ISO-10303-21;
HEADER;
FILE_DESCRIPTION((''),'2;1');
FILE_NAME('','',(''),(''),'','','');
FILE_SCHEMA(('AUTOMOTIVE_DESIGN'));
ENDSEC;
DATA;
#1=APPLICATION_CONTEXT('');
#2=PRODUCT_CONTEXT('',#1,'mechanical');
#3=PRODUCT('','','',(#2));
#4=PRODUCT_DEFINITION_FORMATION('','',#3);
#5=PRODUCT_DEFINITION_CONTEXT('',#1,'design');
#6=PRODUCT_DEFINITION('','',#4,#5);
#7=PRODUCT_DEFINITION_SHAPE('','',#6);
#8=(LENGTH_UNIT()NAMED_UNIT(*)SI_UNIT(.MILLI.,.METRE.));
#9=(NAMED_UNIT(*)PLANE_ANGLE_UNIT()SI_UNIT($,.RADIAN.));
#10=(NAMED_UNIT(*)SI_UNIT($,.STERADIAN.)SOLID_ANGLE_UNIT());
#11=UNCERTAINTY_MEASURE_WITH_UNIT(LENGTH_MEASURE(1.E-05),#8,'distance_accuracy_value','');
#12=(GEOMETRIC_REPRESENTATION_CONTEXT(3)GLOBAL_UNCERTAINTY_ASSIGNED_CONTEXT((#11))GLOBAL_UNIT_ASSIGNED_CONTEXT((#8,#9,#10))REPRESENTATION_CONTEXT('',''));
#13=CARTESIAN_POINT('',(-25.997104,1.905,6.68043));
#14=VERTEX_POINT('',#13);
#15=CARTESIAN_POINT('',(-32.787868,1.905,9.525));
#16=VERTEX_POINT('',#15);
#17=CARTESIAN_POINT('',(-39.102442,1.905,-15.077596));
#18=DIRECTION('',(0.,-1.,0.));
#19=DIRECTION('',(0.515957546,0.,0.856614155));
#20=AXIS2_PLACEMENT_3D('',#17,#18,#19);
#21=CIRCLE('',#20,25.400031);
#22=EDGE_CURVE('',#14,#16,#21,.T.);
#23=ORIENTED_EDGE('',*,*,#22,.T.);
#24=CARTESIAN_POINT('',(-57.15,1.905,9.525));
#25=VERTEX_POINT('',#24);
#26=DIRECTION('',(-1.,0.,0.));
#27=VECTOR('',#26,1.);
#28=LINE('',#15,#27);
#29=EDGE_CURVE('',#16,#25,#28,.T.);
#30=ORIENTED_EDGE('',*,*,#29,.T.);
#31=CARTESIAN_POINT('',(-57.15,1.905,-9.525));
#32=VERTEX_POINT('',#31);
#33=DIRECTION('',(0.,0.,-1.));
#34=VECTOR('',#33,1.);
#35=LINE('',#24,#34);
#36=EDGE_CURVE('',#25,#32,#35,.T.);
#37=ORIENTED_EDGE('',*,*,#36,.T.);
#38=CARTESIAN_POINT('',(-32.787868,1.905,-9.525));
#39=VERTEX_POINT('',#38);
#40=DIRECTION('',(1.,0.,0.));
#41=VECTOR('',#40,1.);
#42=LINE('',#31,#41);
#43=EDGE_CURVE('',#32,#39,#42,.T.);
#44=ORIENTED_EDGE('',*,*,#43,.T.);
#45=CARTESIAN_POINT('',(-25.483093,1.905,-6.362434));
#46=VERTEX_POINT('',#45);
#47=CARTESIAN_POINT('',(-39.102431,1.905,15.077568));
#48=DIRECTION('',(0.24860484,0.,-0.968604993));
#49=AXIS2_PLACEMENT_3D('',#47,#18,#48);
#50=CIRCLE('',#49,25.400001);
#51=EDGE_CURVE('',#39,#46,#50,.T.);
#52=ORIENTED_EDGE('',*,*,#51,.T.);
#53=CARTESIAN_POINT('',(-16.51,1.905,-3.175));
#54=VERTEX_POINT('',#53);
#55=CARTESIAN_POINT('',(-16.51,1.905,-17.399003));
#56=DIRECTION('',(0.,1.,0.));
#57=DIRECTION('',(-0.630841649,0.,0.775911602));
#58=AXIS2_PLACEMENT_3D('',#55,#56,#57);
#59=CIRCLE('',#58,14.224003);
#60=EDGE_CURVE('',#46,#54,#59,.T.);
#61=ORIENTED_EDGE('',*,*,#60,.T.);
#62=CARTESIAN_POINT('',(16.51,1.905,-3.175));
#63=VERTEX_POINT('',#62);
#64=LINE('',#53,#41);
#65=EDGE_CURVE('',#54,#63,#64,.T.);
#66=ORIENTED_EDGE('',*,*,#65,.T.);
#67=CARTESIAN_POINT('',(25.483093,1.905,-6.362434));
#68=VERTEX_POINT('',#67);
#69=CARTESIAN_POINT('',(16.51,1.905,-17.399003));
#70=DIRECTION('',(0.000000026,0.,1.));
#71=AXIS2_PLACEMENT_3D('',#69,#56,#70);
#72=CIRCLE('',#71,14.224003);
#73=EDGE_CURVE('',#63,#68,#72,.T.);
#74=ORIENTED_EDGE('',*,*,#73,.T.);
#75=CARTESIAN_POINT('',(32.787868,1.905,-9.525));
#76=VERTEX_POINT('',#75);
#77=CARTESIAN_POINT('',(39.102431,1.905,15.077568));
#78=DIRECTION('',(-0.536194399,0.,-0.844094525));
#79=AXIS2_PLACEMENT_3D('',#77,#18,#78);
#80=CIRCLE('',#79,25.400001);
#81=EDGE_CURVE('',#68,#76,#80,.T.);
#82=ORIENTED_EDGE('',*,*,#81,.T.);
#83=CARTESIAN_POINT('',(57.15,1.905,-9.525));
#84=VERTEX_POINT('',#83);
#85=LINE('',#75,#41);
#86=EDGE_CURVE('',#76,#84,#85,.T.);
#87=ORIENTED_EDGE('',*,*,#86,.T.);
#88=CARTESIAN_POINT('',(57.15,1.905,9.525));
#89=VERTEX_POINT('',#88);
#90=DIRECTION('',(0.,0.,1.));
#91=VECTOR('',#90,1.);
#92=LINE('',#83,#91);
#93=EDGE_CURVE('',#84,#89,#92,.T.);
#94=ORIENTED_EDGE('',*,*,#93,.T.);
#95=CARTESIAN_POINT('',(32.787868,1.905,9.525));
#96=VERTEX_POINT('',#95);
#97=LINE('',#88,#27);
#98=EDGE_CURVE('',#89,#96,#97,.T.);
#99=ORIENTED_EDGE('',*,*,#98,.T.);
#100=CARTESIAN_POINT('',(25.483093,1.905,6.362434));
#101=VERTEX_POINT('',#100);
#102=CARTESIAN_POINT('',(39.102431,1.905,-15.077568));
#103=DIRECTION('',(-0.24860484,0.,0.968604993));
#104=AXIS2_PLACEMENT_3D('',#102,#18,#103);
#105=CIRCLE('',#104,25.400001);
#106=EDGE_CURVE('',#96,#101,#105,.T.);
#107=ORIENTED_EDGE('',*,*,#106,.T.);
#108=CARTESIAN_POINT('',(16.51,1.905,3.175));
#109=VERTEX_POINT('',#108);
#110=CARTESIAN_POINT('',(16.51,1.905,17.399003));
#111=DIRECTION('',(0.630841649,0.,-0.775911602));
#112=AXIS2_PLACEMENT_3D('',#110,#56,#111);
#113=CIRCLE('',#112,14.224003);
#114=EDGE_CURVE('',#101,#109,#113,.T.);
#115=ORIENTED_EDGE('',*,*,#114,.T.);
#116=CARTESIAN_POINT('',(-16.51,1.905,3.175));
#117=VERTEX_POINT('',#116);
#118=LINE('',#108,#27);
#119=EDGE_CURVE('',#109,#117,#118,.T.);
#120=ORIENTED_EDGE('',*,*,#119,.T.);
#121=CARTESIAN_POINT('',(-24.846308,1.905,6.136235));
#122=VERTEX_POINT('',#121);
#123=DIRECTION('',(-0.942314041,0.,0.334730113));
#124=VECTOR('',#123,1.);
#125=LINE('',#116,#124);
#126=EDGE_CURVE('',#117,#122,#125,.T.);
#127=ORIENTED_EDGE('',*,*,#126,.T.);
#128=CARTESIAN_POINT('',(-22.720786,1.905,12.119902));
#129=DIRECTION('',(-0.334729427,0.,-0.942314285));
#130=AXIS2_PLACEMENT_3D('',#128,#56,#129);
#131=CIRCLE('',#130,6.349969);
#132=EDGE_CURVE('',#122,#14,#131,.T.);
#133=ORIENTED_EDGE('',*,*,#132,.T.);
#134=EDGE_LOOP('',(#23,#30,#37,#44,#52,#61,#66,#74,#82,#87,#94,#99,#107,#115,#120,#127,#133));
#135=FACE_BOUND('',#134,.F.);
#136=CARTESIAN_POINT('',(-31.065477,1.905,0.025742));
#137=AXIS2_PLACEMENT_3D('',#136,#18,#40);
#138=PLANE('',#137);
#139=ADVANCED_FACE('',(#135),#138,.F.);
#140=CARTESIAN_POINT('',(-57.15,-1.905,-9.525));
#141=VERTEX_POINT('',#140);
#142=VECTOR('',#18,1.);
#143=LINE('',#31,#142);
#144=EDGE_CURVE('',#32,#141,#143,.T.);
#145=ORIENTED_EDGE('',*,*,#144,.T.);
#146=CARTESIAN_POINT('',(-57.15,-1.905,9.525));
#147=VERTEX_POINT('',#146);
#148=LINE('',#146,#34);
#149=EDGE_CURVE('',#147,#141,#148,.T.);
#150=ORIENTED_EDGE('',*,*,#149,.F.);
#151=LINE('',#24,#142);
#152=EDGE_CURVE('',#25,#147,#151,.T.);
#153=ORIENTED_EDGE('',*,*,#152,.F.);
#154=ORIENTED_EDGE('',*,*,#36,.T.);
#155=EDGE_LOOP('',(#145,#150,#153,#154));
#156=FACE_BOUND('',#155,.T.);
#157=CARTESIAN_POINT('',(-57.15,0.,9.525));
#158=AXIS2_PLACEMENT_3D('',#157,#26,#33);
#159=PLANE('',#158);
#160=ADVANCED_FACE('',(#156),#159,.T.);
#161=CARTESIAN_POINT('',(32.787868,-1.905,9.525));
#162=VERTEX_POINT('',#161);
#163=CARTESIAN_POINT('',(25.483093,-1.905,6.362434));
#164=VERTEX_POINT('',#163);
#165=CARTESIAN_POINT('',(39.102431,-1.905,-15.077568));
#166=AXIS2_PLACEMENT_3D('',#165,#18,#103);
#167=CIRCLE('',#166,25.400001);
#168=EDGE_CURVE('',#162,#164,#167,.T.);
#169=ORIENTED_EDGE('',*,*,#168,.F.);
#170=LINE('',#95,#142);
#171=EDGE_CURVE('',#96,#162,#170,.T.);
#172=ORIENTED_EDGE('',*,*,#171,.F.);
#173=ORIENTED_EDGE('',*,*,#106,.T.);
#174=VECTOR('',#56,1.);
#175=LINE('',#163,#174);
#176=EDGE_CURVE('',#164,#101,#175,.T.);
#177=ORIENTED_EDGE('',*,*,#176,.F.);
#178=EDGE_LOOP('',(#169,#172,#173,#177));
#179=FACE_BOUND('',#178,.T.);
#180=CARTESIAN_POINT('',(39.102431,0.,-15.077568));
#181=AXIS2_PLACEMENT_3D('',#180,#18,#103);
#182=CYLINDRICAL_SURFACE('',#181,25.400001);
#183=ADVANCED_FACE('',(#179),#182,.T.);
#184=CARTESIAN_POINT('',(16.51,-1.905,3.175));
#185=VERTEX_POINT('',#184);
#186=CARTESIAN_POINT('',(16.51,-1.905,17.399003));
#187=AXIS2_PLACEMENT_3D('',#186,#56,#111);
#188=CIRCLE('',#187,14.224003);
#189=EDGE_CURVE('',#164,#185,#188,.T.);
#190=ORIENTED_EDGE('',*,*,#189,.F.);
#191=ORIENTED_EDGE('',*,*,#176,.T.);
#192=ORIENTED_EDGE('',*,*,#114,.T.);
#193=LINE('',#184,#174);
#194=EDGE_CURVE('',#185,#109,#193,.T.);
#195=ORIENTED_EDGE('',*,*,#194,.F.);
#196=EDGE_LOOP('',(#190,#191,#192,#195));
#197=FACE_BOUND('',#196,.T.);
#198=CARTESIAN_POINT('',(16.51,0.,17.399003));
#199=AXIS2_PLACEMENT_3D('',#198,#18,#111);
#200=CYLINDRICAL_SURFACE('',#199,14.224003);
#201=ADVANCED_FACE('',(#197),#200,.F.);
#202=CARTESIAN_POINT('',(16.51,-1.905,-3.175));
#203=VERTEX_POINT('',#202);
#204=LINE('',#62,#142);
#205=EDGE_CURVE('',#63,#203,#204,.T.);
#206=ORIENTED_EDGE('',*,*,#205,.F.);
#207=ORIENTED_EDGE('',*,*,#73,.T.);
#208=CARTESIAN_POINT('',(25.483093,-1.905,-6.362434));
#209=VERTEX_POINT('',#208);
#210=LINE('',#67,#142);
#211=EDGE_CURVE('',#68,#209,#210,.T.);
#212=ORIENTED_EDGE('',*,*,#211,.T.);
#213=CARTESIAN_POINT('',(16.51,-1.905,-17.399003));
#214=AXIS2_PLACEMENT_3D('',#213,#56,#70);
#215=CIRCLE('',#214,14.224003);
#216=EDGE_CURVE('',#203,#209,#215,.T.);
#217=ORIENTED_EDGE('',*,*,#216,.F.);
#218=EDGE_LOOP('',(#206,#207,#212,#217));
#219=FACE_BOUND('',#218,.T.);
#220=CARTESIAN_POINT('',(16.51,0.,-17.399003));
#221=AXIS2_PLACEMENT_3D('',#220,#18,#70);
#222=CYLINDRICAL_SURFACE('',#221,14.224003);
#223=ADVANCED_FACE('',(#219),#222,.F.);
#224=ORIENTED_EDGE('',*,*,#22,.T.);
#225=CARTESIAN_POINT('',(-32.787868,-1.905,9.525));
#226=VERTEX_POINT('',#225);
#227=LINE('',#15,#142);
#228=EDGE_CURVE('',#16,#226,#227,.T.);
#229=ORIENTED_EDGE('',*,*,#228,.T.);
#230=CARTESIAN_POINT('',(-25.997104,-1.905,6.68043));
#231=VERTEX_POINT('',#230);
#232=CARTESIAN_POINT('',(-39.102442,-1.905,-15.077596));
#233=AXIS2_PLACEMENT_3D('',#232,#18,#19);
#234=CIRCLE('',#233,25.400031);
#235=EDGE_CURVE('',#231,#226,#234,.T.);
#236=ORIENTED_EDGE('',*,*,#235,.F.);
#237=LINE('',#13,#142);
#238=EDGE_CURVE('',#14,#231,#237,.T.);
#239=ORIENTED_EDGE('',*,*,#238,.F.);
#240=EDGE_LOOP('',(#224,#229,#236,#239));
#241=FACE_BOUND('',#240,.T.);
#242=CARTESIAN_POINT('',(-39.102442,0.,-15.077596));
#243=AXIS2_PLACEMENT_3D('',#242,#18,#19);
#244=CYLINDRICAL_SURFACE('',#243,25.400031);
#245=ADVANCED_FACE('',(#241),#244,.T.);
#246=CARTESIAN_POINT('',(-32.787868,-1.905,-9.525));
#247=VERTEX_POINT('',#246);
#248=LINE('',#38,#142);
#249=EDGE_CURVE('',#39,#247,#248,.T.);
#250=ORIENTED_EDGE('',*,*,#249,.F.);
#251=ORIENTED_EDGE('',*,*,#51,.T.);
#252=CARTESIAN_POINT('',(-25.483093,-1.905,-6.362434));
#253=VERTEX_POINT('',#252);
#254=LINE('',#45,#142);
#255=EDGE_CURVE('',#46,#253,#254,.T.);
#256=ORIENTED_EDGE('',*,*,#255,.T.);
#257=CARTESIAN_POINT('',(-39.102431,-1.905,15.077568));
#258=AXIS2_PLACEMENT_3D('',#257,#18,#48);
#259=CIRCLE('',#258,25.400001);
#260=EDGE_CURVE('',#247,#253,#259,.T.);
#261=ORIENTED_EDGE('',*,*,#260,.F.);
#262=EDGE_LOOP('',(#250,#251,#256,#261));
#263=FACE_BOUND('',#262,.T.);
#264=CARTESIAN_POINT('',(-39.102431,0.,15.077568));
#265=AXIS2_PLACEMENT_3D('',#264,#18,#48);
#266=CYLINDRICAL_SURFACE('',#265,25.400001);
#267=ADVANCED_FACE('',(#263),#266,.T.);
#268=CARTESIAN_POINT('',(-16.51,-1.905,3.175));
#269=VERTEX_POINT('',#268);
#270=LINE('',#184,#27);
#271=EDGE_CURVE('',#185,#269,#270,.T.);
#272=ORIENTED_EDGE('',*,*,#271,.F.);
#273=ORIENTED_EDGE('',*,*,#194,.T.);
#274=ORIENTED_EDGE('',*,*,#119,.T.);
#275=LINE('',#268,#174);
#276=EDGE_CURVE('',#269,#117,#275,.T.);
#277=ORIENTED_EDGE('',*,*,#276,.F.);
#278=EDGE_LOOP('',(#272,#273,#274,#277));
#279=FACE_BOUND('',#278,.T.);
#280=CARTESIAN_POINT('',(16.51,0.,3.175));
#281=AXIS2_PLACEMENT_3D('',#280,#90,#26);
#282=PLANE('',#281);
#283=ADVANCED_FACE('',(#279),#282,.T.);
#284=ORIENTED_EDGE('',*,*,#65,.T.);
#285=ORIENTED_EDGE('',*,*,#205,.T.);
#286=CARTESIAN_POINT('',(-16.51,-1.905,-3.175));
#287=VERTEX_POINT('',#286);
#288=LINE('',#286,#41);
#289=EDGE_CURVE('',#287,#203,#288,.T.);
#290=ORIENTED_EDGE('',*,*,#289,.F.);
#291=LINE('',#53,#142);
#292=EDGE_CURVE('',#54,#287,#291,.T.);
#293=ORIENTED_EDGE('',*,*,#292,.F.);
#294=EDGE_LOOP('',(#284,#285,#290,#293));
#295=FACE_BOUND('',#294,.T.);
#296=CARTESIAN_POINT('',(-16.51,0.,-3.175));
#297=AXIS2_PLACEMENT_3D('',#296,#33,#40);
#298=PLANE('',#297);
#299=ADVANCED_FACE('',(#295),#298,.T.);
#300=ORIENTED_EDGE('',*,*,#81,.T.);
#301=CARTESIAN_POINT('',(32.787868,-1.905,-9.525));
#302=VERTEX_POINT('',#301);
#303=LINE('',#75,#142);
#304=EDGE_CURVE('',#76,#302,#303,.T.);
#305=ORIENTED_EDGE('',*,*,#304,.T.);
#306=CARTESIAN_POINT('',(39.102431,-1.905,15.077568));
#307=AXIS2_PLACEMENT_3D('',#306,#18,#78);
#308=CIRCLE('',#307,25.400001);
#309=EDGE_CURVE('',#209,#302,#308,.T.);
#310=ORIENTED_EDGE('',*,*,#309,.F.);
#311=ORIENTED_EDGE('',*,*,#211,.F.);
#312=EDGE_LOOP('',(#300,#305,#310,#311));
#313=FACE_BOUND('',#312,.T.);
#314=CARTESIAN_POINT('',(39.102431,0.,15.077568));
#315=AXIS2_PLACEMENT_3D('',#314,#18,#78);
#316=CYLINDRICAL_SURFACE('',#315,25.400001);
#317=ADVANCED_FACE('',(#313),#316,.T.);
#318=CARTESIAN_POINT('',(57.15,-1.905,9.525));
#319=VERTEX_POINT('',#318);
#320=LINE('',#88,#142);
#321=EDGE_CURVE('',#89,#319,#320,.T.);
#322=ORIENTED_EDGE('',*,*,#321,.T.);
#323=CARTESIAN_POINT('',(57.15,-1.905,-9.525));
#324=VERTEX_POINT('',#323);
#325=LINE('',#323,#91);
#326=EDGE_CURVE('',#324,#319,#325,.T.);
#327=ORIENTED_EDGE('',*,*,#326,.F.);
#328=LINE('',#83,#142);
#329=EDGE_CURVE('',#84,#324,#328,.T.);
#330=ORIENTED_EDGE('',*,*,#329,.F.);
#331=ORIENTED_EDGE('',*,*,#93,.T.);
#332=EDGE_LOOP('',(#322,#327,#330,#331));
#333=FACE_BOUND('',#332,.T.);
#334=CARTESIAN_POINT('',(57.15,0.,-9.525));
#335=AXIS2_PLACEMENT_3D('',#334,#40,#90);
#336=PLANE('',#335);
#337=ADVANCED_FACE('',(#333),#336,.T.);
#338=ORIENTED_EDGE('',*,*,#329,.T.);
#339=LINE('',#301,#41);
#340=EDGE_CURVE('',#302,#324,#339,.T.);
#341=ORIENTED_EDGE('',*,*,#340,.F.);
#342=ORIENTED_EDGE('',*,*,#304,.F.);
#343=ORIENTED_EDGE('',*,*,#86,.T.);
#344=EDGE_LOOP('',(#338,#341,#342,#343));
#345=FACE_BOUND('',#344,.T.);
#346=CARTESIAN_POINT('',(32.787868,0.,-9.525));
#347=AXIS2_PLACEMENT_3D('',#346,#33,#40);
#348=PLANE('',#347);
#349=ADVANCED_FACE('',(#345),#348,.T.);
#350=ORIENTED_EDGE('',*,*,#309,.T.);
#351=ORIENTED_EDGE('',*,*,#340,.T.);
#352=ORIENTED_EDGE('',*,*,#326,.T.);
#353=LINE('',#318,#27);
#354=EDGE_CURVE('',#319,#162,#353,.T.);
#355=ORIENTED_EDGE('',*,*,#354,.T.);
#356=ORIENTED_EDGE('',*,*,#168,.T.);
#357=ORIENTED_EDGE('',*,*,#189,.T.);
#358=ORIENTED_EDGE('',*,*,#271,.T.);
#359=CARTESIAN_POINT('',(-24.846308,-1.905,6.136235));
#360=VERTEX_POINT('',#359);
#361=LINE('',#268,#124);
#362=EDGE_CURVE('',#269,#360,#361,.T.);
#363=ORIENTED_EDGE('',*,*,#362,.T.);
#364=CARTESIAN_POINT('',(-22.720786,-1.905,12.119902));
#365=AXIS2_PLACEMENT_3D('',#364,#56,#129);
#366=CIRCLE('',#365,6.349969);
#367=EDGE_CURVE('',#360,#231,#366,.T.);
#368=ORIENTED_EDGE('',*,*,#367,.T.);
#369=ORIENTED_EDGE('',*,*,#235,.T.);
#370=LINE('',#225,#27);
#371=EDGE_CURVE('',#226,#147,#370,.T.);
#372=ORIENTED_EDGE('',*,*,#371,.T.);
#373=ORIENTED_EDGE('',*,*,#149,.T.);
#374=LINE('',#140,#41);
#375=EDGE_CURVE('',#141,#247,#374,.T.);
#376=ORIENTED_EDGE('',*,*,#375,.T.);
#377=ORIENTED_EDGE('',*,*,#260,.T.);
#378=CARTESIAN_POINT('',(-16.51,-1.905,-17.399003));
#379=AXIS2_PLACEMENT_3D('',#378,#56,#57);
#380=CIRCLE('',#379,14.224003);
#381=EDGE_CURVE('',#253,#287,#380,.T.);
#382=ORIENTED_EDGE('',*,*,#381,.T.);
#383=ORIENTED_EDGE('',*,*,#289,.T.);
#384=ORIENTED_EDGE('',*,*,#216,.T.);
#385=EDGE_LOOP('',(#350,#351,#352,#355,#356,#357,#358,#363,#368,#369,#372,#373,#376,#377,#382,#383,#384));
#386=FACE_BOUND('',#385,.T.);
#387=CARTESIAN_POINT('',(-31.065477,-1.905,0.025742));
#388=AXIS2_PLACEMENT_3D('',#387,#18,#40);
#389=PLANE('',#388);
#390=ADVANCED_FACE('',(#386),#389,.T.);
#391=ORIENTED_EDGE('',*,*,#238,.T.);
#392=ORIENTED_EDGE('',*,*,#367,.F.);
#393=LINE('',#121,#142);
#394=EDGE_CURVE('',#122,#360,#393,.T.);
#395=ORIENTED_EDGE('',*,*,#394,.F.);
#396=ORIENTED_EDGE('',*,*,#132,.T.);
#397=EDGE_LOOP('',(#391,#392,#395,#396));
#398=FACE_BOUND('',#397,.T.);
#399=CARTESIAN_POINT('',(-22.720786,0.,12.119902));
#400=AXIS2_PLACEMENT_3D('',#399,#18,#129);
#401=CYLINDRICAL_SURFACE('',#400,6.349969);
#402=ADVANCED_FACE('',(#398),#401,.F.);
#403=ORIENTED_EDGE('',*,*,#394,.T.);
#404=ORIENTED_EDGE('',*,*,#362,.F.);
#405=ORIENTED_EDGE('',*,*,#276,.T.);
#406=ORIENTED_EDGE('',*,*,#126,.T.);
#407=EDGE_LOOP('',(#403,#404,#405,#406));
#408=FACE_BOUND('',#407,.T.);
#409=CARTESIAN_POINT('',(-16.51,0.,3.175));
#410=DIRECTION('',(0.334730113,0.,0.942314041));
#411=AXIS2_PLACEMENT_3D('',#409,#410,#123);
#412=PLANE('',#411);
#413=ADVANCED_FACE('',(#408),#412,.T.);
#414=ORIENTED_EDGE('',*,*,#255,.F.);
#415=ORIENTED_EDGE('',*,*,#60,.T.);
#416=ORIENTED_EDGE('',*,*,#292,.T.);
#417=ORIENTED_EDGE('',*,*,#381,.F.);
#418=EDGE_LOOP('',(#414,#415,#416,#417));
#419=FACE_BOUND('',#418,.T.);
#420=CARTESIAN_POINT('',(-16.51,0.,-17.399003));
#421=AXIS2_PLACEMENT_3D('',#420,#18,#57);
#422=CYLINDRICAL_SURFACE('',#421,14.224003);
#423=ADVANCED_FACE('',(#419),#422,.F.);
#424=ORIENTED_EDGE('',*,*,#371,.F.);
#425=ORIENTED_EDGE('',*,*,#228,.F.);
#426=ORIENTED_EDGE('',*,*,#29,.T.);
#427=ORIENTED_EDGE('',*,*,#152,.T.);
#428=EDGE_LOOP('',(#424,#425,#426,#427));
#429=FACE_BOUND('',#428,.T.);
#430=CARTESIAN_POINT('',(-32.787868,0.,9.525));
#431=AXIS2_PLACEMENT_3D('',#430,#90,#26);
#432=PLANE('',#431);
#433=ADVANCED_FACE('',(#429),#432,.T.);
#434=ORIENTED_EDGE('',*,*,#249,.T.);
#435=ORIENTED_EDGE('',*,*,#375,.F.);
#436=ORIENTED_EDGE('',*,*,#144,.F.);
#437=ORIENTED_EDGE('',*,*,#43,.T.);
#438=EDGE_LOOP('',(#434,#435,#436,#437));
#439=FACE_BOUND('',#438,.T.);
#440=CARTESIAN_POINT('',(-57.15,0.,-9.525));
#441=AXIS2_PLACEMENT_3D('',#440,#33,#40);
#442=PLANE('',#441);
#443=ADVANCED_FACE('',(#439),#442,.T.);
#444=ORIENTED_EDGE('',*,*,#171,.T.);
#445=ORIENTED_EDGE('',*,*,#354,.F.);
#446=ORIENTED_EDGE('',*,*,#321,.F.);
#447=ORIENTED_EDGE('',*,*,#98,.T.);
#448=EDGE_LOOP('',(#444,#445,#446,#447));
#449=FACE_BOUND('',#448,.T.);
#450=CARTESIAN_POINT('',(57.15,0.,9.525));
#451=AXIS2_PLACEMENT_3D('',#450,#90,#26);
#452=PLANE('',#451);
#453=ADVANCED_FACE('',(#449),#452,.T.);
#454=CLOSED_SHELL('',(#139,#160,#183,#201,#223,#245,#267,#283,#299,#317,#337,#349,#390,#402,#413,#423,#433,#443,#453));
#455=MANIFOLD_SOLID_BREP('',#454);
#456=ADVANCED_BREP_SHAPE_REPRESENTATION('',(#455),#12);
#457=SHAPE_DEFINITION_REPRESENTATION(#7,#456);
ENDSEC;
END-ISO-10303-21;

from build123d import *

# Parameters (mm, degrees)
F1_DEPTH = 1.905


with BuildPart() as f1:
    # F0 (on Front) → F1 (new body, symmetric)
    with BuildSketch(Plane.XZ):
        with BuildLine():
            Line((0, -3.175), (0, 0))
            Line((0, 0), (0, 3.175))
            Line((0, 3.175), (-16.51, 3.175))
            Line((-16.51, 3.175), (-24.846308, 6.136235))
            ThreePointArc((-24.846308, 6.136235), (-25.435377, 6.379422), (-25.997104, 6.68043))
            ThreePointArc((-25.997104, 6.68043), (-29.288873, 8.350068), (-32.787868, 9.525))
            Line((-32.787868, 9.525), (-57.15, 9.525))
            Line((-57.15, 9.525), (-57.15, 0))
            Line((-57.15, 0), (-57.15, -9.525))
            Line((-57.15, -9.525), (-32.787868, -9.525))
            ThreePointArc((-32.787868, -9.525), (-29.010823, -8.231647), (-25.483093, -6.362434))
            ThreePointArc((-25.483093, -6.362434), (-21.271201, -3.995525), (-16.51, -3.175))
            Line((-16.51, -3.175), (0, -3.175))
        make_face()
        with BuildLine():
            Line((0, 3.175), (0, 0))
            Line((0, 0), (0, -3.175))
            Line((0, -3.175), (16.51, -3.175))
            ThreePointArc((16.51, -3.175), (21.271201, -3.995525), (25.483093, -6.362434))
            ThreePointArc((25.483093, -6.362434), (29.010823, -8.231647), (32.787868, -9.525))
            Line((32.787868, -9.525), (57.15, -9.525))
            Line((57.15, -9.525), (57.15, 0))
            Line((57.15, 0), (57.15, 9.525))
            Line((57.15, 9.525), (32.787868, 9.525))
            ThreePointArc((32.787868, 9.525), (29.010823, 8.231647), (25.483093, 6.362434))
            ThreePointArc((25.483093, 6.362434), (21.271201, 3.995525), (16.51, 3.175))
            Line((16.51, 3.175), (0, 3.175))
        make_face()
    extrude(amount=F1_DEPTH, both=True)


solid = f1.part
